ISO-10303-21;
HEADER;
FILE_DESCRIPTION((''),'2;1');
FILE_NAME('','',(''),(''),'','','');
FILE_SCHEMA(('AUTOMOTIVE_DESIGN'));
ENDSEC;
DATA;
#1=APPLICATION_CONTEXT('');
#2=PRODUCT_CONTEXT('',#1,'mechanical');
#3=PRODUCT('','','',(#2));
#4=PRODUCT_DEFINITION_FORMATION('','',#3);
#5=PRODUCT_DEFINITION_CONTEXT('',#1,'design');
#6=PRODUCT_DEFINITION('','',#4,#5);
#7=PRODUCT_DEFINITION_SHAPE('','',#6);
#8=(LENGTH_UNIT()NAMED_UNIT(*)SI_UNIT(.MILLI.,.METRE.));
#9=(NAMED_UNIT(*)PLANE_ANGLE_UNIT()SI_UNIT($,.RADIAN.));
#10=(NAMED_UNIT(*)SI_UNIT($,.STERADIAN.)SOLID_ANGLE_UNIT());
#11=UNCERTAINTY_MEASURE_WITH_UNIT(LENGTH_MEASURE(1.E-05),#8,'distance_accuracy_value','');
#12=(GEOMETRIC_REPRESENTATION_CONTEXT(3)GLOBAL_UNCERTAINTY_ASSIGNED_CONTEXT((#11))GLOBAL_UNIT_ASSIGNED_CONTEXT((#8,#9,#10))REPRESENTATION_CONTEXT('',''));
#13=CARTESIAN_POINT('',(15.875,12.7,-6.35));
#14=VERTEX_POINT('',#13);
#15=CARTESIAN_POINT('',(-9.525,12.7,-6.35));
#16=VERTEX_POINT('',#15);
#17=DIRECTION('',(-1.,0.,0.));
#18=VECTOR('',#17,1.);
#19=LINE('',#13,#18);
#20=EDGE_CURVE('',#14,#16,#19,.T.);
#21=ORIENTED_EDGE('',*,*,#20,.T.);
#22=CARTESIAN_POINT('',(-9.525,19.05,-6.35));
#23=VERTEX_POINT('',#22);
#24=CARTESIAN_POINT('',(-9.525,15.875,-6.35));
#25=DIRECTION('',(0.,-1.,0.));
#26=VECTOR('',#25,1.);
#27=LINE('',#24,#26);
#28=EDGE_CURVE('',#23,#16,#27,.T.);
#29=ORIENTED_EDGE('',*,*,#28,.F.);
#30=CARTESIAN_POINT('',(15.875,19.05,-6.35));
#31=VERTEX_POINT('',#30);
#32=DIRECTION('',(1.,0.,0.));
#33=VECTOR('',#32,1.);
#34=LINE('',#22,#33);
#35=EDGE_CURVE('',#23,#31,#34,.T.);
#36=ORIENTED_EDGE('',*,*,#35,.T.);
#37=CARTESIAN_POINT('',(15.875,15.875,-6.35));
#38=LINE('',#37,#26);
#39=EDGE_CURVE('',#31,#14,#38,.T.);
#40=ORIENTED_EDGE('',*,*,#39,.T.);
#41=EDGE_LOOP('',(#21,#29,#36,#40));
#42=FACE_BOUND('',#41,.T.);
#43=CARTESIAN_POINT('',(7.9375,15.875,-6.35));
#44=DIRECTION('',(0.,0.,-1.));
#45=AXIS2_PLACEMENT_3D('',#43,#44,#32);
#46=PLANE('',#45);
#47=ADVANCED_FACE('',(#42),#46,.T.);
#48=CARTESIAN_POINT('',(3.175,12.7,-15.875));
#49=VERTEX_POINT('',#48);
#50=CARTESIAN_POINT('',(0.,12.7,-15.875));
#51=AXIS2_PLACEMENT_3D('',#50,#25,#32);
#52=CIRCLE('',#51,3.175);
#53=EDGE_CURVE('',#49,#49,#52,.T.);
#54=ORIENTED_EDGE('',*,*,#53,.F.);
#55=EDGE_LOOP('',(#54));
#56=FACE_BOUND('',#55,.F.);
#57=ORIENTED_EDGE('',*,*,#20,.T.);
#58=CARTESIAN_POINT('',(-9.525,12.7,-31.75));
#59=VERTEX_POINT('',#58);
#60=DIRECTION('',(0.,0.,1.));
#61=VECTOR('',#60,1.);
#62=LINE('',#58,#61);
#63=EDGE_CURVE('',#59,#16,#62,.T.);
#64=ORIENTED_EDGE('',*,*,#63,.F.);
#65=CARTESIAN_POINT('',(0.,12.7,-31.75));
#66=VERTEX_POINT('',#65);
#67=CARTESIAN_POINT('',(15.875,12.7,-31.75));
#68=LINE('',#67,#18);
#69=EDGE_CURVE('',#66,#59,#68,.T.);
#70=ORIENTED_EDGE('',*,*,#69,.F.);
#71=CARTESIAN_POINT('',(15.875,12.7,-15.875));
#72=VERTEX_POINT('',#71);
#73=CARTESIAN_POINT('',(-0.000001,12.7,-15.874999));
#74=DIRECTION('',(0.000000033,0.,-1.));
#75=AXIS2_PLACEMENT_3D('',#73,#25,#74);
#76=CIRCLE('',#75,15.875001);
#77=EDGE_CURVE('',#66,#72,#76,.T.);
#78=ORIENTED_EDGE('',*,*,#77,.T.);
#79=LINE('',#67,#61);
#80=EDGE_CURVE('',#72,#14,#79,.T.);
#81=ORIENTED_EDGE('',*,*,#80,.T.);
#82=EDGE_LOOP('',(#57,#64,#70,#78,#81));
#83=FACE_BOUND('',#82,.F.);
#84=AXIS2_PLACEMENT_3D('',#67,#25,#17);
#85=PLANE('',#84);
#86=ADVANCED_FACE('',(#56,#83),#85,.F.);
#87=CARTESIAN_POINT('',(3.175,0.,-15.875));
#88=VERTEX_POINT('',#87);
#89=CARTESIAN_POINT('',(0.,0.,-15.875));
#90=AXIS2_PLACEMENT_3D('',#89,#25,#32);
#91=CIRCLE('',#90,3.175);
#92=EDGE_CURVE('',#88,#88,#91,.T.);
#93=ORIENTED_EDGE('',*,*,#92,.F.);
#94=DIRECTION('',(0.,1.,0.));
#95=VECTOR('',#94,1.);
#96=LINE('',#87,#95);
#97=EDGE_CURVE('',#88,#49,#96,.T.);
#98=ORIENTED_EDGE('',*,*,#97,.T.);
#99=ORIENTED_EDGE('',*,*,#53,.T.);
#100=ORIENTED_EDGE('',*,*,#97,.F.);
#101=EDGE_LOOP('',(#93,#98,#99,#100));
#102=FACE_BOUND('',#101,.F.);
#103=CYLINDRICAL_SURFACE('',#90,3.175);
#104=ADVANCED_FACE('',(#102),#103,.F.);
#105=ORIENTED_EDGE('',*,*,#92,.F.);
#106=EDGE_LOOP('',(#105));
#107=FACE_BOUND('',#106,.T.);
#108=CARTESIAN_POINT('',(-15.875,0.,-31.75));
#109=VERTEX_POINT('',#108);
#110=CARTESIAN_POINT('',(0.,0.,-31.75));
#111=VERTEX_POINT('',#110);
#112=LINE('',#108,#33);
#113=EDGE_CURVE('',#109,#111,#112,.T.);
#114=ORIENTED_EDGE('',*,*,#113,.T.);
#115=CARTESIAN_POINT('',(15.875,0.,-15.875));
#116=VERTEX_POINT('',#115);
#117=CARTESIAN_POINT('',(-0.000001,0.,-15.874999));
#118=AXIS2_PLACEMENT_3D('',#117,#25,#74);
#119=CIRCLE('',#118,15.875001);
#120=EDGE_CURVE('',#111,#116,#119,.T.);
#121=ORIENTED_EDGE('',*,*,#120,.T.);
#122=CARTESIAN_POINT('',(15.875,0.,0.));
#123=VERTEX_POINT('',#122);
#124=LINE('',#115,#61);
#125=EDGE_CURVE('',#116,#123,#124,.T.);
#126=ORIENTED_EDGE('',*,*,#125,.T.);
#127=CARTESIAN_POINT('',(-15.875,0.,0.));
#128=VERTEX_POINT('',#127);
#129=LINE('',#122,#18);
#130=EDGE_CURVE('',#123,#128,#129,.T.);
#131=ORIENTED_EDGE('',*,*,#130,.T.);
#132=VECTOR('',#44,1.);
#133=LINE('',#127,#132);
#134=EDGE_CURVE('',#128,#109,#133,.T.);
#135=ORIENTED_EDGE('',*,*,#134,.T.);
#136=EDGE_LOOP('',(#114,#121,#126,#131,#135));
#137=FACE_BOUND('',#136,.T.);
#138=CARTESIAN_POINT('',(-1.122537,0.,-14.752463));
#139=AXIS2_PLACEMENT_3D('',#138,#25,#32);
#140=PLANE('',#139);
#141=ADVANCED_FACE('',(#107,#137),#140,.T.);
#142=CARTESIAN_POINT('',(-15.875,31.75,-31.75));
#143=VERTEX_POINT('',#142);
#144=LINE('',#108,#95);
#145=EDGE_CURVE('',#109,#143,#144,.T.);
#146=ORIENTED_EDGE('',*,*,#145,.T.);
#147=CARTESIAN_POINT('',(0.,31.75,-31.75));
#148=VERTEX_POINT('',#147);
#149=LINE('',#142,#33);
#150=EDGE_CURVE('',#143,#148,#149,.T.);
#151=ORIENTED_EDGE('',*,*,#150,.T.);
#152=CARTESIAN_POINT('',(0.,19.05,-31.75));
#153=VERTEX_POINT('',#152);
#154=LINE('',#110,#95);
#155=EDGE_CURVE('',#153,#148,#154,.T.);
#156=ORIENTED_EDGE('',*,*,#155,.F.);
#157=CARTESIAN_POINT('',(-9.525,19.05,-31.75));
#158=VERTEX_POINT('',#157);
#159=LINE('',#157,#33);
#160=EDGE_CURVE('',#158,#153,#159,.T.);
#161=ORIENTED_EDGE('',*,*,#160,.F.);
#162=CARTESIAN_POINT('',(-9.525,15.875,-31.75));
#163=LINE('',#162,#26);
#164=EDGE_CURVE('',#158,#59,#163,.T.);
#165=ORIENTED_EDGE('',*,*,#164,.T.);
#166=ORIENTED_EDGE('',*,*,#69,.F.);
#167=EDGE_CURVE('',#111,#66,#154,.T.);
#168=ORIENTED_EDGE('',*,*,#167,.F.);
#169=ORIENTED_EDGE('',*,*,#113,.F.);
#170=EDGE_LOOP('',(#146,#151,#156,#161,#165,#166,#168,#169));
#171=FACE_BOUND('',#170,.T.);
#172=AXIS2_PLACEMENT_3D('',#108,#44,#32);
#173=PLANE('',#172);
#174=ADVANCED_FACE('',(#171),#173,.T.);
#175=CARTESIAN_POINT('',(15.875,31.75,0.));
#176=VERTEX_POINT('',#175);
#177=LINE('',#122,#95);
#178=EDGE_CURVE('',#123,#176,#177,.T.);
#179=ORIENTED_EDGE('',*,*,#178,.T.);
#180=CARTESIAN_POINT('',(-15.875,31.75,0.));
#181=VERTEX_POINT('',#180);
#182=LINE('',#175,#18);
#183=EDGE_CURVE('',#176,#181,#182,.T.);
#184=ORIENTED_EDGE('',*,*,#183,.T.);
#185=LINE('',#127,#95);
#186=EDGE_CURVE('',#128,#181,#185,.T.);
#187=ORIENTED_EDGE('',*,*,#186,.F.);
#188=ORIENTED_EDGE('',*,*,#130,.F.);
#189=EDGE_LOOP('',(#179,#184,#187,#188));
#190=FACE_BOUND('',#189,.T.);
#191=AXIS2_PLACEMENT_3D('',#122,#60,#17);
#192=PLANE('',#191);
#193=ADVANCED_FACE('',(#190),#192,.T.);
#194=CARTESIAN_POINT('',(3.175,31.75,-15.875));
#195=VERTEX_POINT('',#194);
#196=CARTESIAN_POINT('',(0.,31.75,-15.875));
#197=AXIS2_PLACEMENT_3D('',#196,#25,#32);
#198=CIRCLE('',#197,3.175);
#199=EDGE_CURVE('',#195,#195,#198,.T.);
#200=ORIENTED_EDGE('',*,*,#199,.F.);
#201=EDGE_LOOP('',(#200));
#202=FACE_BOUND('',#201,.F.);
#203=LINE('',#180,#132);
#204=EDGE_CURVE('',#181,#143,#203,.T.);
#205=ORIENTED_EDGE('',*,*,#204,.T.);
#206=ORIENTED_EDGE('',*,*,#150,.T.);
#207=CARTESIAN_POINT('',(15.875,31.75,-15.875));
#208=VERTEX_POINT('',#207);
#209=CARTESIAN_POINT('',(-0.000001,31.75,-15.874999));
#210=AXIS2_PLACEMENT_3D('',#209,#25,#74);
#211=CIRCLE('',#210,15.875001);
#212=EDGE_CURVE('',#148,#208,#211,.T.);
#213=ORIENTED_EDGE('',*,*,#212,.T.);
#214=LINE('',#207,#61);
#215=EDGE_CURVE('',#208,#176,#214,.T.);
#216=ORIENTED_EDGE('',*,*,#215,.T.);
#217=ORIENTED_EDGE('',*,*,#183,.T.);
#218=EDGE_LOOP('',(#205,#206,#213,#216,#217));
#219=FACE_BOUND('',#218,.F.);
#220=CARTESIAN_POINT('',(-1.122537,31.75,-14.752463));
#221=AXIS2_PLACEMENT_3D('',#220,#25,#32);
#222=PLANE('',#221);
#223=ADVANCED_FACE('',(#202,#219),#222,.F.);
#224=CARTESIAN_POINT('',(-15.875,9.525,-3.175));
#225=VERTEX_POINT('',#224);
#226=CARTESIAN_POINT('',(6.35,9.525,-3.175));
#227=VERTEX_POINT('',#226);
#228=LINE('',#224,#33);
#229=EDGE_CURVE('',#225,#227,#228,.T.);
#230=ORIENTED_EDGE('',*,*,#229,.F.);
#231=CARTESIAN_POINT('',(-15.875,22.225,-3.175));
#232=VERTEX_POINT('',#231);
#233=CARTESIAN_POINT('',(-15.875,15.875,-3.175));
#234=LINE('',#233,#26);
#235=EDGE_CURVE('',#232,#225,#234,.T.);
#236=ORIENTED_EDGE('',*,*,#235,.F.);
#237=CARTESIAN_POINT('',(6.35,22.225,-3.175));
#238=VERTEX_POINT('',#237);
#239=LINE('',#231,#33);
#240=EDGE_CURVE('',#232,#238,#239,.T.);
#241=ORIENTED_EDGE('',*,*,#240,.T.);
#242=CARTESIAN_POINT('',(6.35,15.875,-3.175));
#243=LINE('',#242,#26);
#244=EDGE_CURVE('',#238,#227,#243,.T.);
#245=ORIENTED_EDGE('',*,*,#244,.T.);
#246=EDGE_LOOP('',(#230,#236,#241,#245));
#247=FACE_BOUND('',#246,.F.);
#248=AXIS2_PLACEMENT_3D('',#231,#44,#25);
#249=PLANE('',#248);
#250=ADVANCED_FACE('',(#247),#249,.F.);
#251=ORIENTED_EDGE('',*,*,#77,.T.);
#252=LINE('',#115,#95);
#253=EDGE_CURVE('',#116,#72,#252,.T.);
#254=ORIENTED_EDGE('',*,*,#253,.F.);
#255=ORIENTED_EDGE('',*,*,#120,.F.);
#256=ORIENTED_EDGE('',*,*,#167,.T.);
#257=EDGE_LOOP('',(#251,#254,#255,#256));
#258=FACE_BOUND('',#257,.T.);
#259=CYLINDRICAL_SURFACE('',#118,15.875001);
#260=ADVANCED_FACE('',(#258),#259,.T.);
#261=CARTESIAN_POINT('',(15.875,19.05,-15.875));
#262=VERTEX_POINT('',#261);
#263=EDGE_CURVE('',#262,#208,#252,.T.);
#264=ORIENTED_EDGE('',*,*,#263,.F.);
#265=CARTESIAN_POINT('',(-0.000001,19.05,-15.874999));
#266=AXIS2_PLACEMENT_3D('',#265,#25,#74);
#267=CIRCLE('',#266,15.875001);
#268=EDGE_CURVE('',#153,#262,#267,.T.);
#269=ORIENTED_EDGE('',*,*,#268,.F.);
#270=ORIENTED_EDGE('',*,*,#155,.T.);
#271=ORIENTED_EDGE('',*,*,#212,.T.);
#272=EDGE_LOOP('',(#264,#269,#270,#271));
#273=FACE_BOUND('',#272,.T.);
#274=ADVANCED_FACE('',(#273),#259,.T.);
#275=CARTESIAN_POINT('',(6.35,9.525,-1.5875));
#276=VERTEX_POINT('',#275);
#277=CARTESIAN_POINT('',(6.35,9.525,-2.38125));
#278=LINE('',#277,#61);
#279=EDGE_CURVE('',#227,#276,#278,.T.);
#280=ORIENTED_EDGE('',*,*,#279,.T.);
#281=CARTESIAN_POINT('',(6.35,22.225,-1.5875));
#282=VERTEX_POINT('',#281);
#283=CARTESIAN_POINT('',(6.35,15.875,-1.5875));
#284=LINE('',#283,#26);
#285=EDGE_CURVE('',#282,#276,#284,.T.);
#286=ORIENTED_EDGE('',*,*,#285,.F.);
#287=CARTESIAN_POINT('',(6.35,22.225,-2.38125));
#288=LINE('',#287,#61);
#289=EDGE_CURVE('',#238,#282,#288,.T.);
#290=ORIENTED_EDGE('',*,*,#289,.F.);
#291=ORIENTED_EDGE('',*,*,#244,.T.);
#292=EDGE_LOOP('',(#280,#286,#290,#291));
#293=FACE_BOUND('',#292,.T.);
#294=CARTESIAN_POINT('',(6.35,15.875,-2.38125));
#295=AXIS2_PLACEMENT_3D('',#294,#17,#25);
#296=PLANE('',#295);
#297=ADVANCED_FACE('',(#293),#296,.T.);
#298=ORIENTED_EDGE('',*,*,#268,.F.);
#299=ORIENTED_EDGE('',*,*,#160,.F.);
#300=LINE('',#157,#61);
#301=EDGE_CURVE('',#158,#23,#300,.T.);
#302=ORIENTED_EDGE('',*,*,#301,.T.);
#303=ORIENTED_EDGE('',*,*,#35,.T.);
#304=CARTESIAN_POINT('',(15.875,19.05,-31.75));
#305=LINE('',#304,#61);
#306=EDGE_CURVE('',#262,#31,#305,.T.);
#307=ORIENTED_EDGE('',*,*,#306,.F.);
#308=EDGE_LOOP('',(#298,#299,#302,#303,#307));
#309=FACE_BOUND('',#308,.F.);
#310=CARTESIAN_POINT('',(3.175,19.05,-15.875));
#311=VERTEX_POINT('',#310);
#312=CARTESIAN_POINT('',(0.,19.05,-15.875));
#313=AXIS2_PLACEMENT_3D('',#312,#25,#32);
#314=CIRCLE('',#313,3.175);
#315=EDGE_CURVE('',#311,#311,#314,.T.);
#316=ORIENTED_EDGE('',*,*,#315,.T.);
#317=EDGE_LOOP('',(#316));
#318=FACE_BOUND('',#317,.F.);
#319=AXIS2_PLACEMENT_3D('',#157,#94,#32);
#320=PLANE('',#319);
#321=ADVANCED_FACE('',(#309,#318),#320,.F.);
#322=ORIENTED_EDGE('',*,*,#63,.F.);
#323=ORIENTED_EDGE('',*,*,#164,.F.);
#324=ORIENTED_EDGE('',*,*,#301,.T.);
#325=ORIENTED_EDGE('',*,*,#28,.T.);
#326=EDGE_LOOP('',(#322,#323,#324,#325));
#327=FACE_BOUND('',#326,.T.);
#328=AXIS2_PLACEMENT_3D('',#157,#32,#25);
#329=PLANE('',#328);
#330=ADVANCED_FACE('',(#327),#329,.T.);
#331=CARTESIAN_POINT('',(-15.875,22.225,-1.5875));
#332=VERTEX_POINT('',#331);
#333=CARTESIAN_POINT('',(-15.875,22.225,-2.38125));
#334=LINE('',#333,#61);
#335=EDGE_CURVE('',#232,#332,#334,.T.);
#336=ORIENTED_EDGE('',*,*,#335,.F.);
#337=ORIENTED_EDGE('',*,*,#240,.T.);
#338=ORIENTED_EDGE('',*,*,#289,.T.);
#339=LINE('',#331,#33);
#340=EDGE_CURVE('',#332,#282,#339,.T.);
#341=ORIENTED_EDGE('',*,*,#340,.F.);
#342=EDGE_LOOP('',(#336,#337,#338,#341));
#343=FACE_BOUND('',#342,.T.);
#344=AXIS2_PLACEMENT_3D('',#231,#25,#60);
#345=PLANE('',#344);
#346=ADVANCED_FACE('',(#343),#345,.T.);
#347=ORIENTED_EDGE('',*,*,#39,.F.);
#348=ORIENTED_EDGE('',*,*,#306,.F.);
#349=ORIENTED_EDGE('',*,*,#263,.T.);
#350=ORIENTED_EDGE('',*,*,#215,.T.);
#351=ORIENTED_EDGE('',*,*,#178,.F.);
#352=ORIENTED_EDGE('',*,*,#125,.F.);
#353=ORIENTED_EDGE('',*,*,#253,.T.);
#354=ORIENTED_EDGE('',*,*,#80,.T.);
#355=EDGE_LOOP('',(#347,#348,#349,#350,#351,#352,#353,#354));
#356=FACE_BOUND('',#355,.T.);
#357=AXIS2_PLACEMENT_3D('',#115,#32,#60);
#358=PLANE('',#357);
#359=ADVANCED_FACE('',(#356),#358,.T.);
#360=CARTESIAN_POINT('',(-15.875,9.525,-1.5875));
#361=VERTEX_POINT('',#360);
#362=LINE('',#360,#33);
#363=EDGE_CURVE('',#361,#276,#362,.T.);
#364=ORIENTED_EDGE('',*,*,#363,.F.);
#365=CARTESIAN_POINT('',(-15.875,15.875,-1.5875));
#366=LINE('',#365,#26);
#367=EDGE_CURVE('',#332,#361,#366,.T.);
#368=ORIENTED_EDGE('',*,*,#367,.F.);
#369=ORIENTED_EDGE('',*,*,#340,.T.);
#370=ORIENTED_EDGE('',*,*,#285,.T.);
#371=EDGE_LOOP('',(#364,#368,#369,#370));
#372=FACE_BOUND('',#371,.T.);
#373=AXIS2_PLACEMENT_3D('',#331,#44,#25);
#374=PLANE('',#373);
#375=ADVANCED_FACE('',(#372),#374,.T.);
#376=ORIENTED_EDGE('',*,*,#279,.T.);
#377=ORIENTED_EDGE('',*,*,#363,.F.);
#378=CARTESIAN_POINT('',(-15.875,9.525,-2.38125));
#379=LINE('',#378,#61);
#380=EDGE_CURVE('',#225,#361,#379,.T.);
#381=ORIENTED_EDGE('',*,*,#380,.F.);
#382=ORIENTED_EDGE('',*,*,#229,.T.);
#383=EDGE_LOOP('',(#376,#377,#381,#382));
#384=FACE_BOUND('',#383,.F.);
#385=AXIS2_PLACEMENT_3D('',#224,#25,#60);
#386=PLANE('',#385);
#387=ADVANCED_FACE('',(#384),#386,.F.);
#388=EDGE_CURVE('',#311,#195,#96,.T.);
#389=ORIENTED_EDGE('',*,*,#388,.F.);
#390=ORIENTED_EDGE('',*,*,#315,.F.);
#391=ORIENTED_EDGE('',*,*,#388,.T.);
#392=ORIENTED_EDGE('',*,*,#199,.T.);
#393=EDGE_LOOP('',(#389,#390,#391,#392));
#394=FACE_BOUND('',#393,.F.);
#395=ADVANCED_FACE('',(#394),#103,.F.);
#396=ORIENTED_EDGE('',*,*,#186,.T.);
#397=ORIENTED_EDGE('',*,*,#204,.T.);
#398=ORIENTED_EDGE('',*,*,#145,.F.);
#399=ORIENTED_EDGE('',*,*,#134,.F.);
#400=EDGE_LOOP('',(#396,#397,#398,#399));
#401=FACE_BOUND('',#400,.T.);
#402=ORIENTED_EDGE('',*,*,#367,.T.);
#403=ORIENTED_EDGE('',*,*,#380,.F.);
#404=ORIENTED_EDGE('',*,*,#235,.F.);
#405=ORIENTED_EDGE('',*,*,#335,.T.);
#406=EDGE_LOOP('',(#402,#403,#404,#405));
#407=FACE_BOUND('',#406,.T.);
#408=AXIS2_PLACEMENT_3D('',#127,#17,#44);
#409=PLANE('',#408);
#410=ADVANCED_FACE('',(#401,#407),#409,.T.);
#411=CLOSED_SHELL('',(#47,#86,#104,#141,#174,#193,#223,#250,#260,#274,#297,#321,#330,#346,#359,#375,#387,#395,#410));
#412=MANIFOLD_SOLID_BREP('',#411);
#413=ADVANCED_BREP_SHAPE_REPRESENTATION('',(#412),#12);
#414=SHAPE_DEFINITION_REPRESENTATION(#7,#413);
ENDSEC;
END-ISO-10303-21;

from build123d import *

# Parameters (mm, degrees)
F0_R     = 3.175
F1_DEPTH = 31.75
F2_W     = 15.875
F2_H     = 6.35
F2_W_2   = 9.525
F3_DEPTH = 25.4
F4_W     = 12.7
F4_H     = 1.5875
F5_DEPTH = 22.225


with BuildPart() as f1:
    # F0 (on Front) → F1 (new body)
    with BuildSketch(Plane.XZ):
        with BuildLine():
            Line((15.875, -15.875), (15.875, 0))
            Line((15.875, 0), (-15.875, 0))
            Line((-15.875, 0), (-15.875, -31.75))
            Line((-15.875, -31.75), (0, -31.75))
            ThreePointArc((0, -31.75), (11.22532, -27.10032), (15.875, -15.875))
        make_face()
        with Locations((0, -15.875)):
            Circle(F0_R, mode=Mode.SUBTRACT)
    extrude(amount=-F1_DEPTH)

    # F2 (on face) → F3 (cut)
    with BuildSketch(Plane(origin=(0, 0, -31.75), x_dir=(1, 0, 0), z_dir=(0, 0, -1))):
        with Locations((7.9375, -15.875)):
            Rectangle(F2_W, F2_H)
        with Locations((-4.7625, -15.875)):
            Rectangle(F2_W_2, F2_H)
    extrude(amount=-F3_DEPTH, mode=Mode.SUBTRACT)

    # F4 (on face) → F5 (cut)
    with BuildSketch(Plane(origin=(-15.875, 0, 0), x_dir=(0, -1, 0), z_dir=(-1, 0, 0))):
        with Locations((-15.875, -2.38125)):
            Rectangle(F4_W, F4_H)
    extrude(amount=-F5_DEPTH, mode=Mode.SUBTRACT)


solid = f1.part
